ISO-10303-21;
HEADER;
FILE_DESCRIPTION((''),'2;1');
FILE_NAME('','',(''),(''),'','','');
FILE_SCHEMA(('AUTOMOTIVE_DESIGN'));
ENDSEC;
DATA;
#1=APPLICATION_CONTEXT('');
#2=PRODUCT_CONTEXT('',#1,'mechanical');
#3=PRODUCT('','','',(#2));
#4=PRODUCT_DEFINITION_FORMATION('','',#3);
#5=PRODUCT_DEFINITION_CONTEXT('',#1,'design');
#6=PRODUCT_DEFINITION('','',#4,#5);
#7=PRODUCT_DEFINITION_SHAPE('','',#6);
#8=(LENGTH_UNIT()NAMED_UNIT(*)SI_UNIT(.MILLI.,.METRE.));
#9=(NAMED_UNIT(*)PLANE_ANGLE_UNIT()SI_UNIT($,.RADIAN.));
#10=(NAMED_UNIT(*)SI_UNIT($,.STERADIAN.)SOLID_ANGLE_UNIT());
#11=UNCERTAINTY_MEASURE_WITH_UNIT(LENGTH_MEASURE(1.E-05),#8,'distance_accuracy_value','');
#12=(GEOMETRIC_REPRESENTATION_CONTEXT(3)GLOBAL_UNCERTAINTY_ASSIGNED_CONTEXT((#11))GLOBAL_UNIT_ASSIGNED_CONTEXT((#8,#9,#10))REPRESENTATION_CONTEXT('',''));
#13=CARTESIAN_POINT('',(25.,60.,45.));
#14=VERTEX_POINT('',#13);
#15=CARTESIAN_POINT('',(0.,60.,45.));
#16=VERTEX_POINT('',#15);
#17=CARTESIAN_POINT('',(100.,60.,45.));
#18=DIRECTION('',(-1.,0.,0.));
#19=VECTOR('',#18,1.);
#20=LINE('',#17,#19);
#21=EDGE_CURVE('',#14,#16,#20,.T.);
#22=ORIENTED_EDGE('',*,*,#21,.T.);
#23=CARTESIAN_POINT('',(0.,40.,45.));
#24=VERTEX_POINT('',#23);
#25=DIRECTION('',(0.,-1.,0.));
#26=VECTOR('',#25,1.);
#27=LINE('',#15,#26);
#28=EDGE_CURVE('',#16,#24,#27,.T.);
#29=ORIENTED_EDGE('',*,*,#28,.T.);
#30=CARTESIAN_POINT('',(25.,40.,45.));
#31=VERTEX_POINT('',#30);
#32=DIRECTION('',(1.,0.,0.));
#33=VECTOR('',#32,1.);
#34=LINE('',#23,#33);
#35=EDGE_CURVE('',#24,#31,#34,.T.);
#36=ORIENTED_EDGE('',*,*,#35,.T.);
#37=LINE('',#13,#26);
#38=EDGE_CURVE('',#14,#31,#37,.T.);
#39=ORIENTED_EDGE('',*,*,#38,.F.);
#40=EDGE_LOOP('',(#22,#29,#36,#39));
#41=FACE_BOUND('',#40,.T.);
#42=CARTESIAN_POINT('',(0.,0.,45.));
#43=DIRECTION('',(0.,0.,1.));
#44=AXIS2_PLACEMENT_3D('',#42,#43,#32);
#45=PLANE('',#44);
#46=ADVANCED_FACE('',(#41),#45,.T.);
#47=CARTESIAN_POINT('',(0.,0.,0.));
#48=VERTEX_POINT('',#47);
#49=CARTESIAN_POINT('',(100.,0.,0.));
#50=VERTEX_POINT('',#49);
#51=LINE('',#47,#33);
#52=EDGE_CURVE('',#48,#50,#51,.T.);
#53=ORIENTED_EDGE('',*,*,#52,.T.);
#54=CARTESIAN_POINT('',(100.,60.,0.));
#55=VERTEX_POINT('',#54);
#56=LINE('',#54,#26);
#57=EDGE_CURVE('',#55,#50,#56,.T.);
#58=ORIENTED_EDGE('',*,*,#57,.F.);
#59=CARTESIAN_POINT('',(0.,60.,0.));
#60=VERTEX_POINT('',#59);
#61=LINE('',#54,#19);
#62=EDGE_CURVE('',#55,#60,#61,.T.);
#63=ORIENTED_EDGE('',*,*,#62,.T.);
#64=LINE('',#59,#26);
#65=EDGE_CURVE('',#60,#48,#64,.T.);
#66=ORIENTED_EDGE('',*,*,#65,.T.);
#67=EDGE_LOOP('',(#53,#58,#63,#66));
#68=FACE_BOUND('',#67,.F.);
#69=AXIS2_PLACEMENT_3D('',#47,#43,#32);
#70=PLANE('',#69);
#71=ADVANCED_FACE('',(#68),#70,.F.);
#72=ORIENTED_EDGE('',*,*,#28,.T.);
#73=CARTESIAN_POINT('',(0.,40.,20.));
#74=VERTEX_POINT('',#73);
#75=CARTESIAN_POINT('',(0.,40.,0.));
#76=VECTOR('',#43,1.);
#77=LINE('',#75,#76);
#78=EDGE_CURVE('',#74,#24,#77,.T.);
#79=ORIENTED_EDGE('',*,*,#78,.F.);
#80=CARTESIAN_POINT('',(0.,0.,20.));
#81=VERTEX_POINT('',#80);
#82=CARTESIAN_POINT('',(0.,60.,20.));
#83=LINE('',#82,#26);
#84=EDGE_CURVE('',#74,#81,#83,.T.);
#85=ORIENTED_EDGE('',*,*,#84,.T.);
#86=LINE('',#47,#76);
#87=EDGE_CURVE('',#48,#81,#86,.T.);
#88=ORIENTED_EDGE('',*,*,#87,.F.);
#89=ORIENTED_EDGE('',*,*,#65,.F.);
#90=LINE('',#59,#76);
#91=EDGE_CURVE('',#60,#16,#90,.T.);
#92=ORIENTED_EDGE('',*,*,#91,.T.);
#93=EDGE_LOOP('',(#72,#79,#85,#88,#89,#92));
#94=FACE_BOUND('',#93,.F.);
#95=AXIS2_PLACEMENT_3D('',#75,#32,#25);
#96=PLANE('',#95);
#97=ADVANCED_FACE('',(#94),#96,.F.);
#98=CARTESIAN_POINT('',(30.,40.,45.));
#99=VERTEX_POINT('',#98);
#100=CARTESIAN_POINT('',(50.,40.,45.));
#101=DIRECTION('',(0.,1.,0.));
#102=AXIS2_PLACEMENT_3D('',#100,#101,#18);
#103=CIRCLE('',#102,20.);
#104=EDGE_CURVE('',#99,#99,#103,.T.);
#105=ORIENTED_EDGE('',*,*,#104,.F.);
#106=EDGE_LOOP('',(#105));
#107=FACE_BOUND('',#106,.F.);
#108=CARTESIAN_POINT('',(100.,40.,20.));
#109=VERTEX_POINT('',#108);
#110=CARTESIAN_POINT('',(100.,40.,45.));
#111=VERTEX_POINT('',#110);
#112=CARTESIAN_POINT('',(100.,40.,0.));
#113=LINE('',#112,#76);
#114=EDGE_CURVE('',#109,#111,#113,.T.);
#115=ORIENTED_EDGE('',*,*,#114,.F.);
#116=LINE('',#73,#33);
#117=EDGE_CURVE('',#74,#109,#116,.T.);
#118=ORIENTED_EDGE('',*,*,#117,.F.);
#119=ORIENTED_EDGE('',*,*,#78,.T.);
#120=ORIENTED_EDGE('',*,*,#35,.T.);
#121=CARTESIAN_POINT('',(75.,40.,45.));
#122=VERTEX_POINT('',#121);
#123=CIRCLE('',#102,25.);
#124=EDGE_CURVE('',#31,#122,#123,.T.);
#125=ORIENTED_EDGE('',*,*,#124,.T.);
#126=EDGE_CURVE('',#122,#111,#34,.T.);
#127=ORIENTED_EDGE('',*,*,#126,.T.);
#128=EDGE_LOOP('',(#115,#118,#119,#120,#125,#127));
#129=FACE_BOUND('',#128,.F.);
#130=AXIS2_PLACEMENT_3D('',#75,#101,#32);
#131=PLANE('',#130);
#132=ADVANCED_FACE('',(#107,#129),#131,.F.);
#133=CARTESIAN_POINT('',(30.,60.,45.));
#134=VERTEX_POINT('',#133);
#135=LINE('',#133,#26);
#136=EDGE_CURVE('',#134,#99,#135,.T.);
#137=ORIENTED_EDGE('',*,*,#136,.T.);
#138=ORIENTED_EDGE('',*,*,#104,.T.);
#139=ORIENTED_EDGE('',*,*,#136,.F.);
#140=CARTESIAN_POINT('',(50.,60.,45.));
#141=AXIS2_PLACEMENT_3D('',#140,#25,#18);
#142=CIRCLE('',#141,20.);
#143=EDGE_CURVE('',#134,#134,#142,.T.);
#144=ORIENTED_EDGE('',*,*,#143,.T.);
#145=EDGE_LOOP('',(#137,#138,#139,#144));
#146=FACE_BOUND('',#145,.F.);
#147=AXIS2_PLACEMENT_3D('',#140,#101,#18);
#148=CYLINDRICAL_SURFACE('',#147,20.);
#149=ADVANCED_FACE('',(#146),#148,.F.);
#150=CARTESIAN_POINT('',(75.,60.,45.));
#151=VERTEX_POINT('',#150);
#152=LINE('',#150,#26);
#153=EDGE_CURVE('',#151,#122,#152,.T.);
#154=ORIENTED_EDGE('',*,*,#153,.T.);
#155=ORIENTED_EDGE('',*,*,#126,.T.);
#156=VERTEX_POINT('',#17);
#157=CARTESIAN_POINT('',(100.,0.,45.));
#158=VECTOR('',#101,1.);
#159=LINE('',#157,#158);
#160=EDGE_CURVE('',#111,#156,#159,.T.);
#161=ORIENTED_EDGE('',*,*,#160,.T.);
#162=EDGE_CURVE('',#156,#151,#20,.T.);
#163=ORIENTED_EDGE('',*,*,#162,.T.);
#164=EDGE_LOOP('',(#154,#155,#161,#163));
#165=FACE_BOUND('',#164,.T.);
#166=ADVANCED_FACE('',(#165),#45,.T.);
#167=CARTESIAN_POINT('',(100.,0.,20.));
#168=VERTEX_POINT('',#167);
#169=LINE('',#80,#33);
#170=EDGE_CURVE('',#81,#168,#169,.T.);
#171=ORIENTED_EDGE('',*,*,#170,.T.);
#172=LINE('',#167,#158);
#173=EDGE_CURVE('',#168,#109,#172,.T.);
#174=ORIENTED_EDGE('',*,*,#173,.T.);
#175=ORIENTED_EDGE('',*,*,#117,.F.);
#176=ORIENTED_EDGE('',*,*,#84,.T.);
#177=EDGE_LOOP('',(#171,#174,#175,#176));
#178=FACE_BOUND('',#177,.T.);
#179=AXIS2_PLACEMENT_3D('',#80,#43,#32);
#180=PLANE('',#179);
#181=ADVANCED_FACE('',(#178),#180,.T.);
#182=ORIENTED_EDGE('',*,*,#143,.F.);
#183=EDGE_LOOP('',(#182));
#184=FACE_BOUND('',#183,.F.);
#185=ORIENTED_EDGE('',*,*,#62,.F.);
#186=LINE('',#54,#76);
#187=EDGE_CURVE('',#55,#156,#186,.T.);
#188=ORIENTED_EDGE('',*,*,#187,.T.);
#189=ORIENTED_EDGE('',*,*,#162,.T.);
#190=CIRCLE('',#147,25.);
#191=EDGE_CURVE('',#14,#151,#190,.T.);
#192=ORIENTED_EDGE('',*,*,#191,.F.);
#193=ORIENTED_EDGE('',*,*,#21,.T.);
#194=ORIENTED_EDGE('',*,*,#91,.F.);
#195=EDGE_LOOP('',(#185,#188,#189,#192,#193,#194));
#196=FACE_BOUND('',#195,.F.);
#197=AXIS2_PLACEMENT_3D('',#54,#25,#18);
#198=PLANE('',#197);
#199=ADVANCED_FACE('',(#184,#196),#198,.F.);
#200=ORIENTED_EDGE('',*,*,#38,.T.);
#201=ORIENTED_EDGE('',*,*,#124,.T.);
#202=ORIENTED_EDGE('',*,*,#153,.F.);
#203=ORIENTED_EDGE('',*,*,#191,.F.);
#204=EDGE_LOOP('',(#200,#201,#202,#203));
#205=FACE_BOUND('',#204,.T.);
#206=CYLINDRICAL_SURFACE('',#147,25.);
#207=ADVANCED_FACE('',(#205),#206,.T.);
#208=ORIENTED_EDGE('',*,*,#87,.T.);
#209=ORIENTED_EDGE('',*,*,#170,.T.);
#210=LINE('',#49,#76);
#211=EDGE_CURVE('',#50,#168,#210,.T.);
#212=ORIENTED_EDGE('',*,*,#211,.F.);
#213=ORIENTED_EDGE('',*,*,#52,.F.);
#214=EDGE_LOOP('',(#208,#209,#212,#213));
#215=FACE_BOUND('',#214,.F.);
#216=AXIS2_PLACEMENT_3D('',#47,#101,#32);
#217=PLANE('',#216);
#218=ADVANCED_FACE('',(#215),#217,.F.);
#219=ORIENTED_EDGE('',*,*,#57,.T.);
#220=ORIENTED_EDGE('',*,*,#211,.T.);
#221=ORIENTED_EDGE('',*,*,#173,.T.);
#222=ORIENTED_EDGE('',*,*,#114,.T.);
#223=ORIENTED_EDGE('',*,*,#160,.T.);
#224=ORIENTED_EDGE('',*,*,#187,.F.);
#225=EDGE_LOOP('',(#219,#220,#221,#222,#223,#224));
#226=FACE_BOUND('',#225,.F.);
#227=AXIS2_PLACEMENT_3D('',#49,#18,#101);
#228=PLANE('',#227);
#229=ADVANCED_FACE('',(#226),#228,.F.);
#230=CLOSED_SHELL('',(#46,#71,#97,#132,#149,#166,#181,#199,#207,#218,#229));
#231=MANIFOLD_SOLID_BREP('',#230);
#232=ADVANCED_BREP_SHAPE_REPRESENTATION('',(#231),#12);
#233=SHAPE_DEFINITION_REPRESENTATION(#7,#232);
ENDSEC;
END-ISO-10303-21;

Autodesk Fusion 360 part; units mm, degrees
sketch "Sketch1" plane through (0, 0, 0) normal (0, 0, 1) x (1, 0, 0)
  line L0 (0, 0) -> (100, 0)
  line L1 (100, 0) -> (100, 60)
  line L2 (100, 60) -> (0, 60)
  line L3 (0, 60) -> (0, 0)
  line L4 (0, 0) -> (0, 40)
  line L5 (0, 40) -> (100, 40)
  dimension "d1" = 100
  dimension "d2" = 60
  dimension "d3" = 40
extrude "Extrude1" add sketch "Sketch1" along normal blind 20 contours L0 L1 L3 L4 L5
extrude "Extrude2" add sketch "Sketch1" along normal blind 45 contours L1 L2 L3 L5
sketch "Sketch2" plane through (0, 60, 0) normal (0, 1, 0) x (-1, 0, 0)
  line L0 (-100, 0) -> (0, 0)
  line L1 (0, 0) -> (0, 45)
  line L2 (0, 45) -> (-100, 45)
  line L3 (-100, 45) -> (-100, 0)
  line L4 (-100, 45) -> (-50, 45)
  circle A0 centre (-50, 45) radius 20
  circle A1 centre (-50, 45) radius 25
  dimension "d8" = 50
  dimension "d9" = 40
  dimension "d10" = 50
extrude "Extrude3" add sketch "Sketch2" against normal blind 20 contours L2 L4 A0 A1 picked at (-37.3043, 64.5056)
extrude "Extrude4" cut sketch "Sketch2" against normal blind 20 contours L2 L4 A0 picked at (-36.7411, 44.0064)
